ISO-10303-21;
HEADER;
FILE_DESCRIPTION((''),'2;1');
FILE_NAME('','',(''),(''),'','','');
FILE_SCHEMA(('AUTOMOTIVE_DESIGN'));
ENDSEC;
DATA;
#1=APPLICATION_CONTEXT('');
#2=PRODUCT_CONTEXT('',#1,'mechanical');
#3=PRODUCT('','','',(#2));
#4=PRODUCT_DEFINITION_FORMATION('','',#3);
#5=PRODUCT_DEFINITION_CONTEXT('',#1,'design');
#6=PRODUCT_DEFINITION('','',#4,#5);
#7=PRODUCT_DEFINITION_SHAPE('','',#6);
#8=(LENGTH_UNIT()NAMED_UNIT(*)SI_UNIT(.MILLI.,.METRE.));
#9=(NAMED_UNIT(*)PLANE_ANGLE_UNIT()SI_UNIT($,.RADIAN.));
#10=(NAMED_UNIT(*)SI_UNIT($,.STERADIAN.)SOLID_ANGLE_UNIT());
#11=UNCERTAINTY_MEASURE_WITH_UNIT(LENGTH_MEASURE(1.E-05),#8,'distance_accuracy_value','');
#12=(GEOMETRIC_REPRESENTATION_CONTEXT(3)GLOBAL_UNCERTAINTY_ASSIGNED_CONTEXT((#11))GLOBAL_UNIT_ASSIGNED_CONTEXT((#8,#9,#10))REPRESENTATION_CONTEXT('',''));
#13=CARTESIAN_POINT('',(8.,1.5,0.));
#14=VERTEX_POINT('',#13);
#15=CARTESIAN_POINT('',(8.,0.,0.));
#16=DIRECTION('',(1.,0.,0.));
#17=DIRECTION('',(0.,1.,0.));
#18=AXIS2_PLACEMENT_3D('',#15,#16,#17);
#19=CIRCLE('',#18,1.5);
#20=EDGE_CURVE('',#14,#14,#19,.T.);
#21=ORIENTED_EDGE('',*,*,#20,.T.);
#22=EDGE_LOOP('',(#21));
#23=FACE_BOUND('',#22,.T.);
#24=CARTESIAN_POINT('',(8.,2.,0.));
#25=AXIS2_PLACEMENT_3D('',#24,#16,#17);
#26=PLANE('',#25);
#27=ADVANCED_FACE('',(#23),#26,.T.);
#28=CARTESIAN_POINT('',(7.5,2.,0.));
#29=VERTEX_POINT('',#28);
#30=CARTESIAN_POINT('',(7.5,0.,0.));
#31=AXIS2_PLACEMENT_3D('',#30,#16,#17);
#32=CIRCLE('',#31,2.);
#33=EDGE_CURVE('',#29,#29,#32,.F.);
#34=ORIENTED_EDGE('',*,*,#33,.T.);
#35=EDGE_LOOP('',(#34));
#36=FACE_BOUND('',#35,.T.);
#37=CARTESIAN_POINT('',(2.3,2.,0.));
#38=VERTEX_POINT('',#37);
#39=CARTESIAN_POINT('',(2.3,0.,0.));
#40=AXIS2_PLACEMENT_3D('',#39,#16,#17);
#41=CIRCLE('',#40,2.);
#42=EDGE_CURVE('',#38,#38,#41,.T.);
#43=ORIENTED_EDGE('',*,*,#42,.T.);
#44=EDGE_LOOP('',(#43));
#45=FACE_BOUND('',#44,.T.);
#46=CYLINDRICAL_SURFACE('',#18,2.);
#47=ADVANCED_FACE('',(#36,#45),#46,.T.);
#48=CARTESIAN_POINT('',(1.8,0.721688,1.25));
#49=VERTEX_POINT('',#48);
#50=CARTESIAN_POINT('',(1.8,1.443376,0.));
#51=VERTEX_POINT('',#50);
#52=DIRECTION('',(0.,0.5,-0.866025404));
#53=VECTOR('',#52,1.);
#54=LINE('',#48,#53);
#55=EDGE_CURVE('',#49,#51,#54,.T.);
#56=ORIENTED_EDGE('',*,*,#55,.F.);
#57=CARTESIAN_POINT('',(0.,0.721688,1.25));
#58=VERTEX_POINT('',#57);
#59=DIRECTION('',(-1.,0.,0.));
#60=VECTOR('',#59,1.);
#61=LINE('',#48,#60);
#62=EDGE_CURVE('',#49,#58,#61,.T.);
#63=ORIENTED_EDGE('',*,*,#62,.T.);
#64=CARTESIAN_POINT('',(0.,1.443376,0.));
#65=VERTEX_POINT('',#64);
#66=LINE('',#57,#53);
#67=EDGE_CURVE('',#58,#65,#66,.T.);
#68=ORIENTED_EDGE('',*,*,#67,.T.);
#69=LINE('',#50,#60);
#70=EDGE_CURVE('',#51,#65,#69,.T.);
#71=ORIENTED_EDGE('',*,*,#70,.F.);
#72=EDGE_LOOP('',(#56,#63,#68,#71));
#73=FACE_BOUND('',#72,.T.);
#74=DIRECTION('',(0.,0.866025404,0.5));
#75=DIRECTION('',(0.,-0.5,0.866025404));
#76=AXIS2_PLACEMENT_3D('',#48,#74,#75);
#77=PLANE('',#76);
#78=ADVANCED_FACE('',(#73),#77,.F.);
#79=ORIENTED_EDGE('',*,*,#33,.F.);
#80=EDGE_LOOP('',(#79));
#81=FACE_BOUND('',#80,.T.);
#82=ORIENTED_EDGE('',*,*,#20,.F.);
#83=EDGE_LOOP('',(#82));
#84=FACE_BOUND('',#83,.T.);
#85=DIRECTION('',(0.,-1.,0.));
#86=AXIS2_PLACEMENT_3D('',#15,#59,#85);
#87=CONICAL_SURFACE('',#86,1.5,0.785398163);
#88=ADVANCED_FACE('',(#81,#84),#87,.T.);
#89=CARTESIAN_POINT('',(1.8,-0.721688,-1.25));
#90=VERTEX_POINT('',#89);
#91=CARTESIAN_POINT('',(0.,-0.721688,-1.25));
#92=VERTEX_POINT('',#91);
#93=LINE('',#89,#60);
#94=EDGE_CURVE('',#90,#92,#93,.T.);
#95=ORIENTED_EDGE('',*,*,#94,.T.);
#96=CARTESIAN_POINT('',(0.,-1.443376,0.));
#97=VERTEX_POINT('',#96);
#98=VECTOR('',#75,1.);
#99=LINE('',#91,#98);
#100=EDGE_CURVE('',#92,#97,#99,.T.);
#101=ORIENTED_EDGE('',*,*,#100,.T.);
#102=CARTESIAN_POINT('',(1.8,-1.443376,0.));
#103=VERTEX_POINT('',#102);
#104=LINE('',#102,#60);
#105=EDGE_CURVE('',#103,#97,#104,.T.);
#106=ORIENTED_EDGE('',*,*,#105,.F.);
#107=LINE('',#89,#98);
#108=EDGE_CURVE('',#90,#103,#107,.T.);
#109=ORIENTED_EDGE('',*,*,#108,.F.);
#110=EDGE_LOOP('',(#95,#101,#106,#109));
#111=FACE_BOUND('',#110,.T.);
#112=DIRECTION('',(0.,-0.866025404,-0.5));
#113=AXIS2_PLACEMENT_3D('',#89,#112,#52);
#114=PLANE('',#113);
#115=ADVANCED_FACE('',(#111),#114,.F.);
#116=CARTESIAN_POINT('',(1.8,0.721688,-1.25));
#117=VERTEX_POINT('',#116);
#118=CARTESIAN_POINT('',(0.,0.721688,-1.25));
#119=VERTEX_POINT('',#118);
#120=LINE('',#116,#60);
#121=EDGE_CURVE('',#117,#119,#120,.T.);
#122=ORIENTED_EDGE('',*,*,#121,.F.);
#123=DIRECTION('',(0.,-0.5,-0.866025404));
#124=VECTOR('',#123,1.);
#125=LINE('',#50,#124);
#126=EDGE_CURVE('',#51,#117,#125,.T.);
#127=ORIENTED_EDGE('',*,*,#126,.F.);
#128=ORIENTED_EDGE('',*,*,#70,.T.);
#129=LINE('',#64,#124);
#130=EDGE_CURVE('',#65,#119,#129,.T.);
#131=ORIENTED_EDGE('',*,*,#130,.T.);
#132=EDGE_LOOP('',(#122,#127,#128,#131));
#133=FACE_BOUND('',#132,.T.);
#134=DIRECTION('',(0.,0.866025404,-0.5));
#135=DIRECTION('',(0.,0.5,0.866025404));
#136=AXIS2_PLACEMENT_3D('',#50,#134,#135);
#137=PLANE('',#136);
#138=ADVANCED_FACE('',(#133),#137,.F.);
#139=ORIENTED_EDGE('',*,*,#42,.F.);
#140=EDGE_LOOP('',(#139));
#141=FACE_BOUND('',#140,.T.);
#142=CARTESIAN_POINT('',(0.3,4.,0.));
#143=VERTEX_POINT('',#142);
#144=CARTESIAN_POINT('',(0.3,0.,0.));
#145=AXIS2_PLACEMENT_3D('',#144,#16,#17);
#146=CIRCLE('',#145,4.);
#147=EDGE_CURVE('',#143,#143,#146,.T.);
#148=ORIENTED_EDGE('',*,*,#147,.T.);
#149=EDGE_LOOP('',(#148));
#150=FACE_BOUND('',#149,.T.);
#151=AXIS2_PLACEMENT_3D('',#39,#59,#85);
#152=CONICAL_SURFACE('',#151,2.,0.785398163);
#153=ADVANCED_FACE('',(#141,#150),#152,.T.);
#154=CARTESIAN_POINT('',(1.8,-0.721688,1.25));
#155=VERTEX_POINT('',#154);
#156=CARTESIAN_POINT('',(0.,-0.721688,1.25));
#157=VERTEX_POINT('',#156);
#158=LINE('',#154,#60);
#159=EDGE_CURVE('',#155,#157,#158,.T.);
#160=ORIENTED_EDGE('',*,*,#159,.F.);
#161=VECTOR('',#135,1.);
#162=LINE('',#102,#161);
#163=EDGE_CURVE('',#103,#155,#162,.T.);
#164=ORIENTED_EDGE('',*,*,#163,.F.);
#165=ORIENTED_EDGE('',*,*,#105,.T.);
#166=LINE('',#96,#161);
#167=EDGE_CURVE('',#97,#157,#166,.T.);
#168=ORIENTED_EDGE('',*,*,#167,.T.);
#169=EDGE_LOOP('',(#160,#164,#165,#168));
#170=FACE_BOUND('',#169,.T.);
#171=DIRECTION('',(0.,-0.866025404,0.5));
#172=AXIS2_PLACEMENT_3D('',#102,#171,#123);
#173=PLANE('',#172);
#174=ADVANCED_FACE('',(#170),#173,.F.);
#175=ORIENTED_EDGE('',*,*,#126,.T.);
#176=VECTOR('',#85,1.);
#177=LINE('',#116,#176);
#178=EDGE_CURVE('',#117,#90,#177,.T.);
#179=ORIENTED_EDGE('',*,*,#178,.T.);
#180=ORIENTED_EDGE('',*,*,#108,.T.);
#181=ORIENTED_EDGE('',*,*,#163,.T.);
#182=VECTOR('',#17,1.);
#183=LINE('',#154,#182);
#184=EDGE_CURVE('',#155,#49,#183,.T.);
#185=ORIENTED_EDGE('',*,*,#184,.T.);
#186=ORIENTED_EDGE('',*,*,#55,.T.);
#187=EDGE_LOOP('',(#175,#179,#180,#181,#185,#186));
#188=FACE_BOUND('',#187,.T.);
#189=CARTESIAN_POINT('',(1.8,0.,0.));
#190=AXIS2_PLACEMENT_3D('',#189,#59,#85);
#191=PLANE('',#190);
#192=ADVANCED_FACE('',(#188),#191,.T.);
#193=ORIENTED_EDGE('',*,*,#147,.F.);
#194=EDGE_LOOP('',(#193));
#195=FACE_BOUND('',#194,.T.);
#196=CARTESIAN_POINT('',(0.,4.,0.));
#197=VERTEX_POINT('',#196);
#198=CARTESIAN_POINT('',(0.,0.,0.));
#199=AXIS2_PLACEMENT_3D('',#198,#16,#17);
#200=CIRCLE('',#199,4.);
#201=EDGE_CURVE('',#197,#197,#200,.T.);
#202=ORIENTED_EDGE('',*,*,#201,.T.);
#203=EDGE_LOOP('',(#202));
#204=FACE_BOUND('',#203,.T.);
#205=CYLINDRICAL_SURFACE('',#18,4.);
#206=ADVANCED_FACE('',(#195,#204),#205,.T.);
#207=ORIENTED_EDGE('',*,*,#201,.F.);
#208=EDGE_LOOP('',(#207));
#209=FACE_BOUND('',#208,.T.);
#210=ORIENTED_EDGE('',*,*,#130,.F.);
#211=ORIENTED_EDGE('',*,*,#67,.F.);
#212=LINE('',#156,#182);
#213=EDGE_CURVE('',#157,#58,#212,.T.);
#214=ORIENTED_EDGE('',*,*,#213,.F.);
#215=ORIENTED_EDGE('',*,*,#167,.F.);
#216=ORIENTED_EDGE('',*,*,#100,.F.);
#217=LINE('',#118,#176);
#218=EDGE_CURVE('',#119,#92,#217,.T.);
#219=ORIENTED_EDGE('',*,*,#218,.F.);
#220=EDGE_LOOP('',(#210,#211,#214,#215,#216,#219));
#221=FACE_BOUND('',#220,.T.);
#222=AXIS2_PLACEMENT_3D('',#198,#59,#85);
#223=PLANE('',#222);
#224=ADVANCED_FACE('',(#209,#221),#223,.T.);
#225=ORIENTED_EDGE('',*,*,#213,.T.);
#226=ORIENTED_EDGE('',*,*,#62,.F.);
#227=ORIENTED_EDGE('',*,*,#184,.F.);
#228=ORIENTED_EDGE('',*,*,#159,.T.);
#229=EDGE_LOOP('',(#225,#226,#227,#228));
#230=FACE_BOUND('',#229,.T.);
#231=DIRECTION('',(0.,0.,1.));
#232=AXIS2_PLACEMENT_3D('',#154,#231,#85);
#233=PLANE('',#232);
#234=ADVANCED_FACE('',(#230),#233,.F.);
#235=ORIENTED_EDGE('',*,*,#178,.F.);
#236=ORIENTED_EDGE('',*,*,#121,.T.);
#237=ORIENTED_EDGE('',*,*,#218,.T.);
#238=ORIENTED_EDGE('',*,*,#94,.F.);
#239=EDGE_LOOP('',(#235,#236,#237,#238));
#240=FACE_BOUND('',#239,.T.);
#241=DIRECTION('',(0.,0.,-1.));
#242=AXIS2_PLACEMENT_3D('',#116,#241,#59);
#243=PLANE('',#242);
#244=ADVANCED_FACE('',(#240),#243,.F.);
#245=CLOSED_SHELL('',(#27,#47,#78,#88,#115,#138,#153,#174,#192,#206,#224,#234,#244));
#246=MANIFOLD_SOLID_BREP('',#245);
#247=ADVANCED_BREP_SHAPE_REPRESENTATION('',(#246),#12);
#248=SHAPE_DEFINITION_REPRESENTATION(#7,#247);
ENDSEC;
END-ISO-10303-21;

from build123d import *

# Parameters (mm, degrees)
CHANFREIN1_SIZE         = 0.5
ENL_V_MAT_EXTRU_1_DEPTH = 1.8


with BuildPart() as part:
    # Esquisse1 → Révolution1 (revolve)
    with BuildSketch(Plane.XY):
        Polygon((0, 0), (0, 4), (0.3, 4), (2.3, 2), (8, 2), (8, 0), align=None)
    revolve(axis=Axis((8, 0, 0), (-1, 0, 0)))

    # Chanfrein1
    chanfrein1_edges = [part.edges().sort_by_distance(p)[0] for p in [
        (8, -2, 0),
    ]]
    chamfer(chanfrein1_edges, length=CHANFREIN1_SIZE)

    # Esquisse2 → Enlèv. mat.-Extru.1 (cut)
    with BuildSketch(Plane.ZY):
        Polygon((0, 1.443375673), (-1.25, 0.721687836), (-1.25, -0.721687836), (0, -1.443375673), (1.25, -0.721687836), (1.25, 0.721687836), align=None)
    extrude(amount=-ENL_V_MAT_EXTRU_1_DEPTH, mode=Mode.SUBTRACT)


solid = part.part
